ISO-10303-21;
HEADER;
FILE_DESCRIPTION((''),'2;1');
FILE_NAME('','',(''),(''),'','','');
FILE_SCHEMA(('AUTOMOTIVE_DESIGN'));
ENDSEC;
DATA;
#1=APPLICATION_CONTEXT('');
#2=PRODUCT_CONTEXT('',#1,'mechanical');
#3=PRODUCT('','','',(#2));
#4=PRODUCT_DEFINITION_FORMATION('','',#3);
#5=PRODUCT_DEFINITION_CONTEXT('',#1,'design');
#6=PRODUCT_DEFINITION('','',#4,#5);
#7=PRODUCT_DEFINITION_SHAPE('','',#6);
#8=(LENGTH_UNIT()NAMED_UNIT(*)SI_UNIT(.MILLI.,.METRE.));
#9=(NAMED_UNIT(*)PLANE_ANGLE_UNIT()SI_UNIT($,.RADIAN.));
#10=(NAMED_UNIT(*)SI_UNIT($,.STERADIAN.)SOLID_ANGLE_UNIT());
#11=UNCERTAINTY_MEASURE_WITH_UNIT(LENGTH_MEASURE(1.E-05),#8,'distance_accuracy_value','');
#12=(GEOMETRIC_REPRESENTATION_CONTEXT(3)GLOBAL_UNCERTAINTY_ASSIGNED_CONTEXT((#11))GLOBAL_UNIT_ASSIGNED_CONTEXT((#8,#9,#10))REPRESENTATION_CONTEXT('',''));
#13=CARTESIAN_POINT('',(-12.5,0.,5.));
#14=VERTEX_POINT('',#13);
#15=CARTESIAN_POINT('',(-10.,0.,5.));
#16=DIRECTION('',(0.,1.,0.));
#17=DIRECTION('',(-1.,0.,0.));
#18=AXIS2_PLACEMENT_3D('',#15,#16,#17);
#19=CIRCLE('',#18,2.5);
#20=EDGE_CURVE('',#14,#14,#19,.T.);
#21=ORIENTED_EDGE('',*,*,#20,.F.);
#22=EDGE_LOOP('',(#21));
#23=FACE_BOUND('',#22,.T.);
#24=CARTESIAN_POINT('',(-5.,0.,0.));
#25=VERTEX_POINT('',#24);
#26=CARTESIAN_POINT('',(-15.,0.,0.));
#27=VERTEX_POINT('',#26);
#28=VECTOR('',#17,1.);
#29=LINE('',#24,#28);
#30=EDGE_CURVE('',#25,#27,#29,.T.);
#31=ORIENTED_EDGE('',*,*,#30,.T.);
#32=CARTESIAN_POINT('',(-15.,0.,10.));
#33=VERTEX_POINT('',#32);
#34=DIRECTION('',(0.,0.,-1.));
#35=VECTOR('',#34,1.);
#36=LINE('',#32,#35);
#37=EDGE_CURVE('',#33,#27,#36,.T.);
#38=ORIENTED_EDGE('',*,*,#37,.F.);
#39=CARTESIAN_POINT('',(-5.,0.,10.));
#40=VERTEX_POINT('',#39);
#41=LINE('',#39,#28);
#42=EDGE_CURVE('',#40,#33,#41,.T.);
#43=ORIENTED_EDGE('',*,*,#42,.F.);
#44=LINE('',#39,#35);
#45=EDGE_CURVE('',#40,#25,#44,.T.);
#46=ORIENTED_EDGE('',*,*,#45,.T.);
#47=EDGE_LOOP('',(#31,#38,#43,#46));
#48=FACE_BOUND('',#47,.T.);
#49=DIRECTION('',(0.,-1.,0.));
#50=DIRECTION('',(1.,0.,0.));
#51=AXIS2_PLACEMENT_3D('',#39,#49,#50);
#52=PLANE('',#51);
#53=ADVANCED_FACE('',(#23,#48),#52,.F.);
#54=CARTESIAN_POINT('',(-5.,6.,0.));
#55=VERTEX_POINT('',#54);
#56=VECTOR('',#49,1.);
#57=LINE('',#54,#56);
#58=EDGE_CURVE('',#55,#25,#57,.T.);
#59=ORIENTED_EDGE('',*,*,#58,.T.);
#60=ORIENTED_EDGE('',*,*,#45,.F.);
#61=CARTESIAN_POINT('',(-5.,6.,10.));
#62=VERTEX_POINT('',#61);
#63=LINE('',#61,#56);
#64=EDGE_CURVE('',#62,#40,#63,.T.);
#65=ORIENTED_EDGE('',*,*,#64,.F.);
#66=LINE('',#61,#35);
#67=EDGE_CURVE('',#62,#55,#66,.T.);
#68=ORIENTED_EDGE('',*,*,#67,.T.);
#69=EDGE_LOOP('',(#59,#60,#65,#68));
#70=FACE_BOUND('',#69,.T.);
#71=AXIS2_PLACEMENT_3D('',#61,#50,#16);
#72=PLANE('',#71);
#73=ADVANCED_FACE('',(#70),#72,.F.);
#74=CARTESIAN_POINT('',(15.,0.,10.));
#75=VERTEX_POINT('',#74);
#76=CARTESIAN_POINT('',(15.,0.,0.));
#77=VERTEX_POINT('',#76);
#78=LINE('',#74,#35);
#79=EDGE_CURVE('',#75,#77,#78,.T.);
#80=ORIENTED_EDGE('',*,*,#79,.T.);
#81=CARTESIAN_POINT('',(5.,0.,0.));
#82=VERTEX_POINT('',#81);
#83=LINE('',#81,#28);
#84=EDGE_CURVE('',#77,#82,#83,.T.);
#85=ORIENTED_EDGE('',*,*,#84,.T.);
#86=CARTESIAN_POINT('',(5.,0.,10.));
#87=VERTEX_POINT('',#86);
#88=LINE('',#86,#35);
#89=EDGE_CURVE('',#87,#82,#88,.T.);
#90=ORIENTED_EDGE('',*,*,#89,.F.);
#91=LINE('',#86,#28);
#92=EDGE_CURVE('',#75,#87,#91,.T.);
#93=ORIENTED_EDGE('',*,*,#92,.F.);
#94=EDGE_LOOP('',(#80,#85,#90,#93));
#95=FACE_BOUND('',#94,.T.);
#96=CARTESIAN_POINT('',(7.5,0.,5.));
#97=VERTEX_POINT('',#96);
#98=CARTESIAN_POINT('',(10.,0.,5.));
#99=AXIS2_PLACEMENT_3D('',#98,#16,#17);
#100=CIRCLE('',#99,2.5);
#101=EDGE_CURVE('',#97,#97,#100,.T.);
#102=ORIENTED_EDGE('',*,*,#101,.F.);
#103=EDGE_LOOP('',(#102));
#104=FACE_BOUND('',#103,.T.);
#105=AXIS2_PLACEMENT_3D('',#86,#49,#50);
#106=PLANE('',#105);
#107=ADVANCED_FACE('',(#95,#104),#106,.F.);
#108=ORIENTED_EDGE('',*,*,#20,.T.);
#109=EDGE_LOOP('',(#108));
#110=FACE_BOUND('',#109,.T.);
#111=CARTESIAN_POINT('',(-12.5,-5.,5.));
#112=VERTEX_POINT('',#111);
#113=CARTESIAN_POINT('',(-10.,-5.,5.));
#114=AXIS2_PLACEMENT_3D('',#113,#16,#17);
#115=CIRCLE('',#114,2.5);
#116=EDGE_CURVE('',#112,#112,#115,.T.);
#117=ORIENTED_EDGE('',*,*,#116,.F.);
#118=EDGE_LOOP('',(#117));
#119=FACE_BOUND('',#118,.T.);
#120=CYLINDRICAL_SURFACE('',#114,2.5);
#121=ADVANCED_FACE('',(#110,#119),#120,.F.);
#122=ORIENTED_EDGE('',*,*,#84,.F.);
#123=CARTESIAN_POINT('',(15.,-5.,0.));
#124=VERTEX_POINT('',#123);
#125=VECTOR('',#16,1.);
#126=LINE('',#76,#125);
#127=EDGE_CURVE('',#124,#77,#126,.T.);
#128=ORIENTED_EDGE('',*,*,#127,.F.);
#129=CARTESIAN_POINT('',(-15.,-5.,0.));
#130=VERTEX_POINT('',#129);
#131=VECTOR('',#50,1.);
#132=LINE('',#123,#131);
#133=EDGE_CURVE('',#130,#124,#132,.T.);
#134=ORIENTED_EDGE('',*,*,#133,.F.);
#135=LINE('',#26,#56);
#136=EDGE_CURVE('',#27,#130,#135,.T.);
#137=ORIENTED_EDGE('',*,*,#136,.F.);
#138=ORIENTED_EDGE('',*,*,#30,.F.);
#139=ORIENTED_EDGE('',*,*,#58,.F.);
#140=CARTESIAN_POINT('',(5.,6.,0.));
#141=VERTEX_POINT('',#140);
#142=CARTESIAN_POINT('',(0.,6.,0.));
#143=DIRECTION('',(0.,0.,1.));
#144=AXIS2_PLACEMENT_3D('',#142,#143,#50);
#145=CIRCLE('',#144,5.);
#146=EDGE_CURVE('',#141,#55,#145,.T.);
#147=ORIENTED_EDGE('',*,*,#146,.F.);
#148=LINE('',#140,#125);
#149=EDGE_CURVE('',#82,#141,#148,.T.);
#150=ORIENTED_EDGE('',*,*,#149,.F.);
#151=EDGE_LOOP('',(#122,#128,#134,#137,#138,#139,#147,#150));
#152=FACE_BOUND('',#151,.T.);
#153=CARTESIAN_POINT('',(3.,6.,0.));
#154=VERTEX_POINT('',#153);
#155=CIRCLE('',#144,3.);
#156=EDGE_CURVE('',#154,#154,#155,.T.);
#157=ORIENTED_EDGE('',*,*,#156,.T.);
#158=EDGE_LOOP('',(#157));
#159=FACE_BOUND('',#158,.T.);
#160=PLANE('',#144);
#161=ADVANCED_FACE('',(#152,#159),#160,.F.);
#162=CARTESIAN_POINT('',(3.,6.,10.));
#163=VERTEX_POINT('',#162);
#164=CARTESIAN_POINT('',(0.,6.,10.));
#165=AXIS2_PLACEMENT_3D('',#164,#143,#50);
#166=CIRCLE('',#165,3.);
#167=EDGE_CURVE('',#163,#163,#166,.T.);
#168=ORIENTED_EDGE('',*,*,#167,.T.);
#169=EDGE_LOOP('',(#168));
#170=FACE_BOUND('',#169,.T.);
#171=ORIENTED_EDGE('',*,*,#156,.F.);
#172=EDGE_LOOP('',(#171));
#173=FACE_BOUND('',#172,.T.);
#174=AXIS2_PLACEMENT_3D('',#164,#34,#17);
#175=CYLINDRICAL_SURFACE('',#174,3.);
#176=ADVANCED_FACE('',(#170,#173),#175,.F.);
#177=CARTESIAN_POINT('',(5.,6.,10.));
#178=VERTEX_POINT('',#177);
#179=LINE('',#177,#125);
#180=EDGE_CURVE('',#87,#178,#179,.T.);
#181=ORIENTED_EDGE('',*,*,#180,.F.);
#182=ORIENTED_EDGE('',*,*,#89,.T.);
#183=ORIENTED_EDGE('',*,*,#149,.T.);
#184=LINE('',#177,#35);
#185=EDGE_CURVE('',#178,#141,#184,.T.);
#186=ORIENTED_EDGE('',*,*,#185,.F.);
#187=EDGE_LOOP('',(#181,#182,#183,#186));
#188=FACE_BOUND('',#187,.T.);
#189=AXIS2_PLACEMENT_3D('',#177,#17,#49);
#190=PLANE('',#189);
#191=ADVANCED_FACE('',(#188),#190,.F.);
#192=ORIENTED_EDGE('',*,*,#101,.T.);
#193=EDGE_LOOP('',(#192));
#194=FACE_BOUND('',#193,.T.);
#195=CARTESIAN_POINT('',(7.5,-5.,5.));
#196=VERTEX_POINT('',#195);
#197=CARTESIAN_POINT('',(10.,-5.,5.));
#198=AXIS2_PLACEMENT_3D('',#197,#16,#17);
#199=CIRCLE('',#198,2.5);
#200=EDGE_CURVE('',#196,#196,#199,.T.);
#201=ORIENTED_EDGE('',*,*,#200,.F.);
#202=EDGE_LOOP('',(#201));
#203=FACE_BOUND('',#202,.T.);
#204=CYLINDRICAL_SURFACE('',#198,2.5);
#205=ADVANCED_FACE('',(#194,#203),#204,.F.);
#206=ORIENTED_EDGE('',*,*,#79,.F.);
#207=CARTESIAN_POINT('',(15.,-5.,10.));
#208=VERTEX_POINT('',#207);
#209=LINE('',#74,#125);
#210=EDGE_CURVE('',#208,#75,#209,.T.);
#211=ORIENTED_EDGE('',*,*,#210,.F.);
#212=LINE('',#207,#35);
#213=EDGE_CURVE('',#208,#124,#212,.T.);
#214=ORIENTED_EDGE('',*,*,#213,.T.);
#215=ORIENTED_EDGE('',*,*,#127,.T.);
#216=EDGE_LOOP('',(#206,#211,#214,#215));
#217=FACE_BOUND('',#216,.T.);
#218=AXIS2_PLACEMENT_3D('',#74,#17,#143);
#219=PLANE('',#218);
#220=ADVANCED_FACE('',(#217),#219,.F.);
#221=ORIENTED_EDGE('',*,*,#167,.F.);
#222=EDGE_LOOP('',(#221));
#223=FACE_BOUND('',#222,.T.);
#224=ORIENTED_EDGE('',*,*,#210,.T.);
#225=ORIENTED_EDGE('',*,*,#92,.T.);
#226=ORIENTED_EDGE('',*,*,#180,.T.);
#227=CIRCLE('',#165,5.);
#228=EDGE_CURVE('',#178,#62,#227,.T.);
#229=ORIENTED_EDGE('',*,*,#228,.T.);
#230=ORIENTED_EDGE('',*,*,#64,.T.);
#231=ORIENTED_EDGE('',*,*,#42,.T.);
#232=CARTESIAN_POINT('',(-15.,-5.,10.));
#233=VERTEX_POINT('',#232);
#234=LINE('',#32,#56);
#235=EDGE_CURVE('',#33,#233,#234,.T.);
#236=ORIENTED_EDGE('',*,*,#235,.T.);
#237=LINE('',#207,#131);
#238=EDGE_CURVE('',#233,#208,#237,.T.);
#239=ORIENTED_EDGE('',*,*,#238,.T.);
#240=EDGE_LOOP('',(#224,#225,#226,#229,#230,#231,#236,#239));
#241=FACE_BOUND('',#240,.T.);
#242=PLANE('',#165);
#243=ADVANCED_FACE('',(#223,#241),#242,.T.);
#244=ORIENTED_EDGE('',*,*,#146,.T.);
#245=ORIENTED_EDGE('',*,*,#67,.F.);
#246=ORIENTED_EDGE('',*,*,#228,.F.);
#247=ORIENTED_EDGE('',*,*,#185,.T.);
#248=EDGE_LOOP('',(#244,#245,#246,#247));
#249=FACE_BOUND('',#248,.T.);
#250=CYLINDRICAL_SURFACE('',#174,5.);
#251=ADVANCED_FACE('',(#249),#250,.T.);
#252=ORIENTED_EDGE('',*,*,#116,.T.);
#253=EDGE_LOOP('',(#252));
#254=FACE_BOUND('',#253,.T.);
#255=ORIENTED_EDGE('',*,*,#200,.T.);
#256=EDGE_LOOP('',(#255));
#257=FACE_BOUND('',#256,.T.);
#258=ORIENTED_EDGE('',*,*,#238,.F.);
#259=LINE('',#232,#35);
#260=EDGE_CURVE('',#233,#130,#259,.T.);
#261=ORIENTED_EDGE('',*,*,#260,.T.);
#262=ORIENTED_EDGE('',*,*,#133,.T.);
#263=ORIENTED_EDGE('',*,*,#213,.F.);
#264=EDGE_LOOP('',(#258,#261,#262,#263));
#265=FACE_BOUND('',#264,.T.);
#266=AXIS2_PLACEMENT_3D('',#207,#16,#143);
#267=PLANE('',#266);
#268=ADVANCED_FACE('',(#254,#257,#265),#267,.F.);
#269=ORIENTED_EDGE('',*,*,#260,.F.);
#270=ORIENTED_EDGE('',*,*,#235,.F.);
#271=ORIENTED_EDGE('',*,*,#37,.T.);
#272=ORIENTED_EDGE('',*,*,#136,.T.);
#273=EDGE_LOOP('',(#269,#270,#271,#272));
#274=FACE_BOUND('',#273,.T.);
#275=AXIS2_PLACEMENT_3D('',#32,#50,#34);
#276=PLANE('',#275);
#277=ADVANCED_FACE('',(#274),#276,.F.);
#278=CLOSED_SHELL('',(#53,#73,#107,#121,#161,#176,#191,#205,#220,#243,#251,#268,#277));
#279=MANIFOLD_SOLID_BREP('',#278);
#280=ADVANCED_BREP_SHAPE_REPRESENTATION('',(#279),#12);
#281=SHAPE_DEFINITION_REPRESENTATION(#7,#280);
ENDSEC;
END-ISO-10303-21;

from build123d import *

# Parameters (mm, degrees)
SKETCH_1_R          = 3
EXTRUDE_1_DEPTH     = 10
SKETCH_2_R          = 2.5
CUT_EXTRUDE_1_DEPTH = 5
SKETCH_3_R          = 2.5
CUT_EXTRUDE_2_DEPTH = 5


with BuildPart() as part:
    # 草图1 → 凸台-拉伸1 (new body)
    with BuildSketch(Plane.XY):
        with BuildLine():
            Line((5, 0), (15, 0))
            Line((15, 0), (15, -5))
            Line((15, -5), (-15, -5))
            Line((-15, -5), (-15, 0))
            Line((-15, 0), (-5, 0))
            Line((-5, 0), (-5, 6))
            ThreePointArc((-5, 6), (0, 11), (5, 6))
            Line((5, 6), (5, 0))
        make_face()
        with Locations((0, 6)):
            Circle(SKETCH_1_R, mode=Mode.SUBTRACT)
    extrude(amount=EXTRUDE_1_DEPTH)

    # 草图2 → 切除-拉伸1 (cut)
    with BuildSketch(Plane(origin=(0, 0, 0), x_dir=(1, 0, 0), z_dir=(0, 1, 0))):
        with Locations(Location((-10, -5, 0), (0, 0, 180))):
            Circle(SKETCH_2_R)
    extrude(amount=-CUT_EXTRUDE_1_DEPTH, mode=Mode.SUBTRACT)

    # 草图3 → 切除-拉伸2 (cut)
    with BuildSketch(Plane(origin=(0, 0, 0), x_dir=(1, 0, 0), z_dir=(0, 1, 0))):
        with Locations(Location((10, -5, 0), (0, 0, 180))):
            Circle(SKETCH_3_R)
    extrude(amount=-CUT_EXTRUDE_2_DEPTH, mode=Mode.SUBTRACT)


solid = part.part
